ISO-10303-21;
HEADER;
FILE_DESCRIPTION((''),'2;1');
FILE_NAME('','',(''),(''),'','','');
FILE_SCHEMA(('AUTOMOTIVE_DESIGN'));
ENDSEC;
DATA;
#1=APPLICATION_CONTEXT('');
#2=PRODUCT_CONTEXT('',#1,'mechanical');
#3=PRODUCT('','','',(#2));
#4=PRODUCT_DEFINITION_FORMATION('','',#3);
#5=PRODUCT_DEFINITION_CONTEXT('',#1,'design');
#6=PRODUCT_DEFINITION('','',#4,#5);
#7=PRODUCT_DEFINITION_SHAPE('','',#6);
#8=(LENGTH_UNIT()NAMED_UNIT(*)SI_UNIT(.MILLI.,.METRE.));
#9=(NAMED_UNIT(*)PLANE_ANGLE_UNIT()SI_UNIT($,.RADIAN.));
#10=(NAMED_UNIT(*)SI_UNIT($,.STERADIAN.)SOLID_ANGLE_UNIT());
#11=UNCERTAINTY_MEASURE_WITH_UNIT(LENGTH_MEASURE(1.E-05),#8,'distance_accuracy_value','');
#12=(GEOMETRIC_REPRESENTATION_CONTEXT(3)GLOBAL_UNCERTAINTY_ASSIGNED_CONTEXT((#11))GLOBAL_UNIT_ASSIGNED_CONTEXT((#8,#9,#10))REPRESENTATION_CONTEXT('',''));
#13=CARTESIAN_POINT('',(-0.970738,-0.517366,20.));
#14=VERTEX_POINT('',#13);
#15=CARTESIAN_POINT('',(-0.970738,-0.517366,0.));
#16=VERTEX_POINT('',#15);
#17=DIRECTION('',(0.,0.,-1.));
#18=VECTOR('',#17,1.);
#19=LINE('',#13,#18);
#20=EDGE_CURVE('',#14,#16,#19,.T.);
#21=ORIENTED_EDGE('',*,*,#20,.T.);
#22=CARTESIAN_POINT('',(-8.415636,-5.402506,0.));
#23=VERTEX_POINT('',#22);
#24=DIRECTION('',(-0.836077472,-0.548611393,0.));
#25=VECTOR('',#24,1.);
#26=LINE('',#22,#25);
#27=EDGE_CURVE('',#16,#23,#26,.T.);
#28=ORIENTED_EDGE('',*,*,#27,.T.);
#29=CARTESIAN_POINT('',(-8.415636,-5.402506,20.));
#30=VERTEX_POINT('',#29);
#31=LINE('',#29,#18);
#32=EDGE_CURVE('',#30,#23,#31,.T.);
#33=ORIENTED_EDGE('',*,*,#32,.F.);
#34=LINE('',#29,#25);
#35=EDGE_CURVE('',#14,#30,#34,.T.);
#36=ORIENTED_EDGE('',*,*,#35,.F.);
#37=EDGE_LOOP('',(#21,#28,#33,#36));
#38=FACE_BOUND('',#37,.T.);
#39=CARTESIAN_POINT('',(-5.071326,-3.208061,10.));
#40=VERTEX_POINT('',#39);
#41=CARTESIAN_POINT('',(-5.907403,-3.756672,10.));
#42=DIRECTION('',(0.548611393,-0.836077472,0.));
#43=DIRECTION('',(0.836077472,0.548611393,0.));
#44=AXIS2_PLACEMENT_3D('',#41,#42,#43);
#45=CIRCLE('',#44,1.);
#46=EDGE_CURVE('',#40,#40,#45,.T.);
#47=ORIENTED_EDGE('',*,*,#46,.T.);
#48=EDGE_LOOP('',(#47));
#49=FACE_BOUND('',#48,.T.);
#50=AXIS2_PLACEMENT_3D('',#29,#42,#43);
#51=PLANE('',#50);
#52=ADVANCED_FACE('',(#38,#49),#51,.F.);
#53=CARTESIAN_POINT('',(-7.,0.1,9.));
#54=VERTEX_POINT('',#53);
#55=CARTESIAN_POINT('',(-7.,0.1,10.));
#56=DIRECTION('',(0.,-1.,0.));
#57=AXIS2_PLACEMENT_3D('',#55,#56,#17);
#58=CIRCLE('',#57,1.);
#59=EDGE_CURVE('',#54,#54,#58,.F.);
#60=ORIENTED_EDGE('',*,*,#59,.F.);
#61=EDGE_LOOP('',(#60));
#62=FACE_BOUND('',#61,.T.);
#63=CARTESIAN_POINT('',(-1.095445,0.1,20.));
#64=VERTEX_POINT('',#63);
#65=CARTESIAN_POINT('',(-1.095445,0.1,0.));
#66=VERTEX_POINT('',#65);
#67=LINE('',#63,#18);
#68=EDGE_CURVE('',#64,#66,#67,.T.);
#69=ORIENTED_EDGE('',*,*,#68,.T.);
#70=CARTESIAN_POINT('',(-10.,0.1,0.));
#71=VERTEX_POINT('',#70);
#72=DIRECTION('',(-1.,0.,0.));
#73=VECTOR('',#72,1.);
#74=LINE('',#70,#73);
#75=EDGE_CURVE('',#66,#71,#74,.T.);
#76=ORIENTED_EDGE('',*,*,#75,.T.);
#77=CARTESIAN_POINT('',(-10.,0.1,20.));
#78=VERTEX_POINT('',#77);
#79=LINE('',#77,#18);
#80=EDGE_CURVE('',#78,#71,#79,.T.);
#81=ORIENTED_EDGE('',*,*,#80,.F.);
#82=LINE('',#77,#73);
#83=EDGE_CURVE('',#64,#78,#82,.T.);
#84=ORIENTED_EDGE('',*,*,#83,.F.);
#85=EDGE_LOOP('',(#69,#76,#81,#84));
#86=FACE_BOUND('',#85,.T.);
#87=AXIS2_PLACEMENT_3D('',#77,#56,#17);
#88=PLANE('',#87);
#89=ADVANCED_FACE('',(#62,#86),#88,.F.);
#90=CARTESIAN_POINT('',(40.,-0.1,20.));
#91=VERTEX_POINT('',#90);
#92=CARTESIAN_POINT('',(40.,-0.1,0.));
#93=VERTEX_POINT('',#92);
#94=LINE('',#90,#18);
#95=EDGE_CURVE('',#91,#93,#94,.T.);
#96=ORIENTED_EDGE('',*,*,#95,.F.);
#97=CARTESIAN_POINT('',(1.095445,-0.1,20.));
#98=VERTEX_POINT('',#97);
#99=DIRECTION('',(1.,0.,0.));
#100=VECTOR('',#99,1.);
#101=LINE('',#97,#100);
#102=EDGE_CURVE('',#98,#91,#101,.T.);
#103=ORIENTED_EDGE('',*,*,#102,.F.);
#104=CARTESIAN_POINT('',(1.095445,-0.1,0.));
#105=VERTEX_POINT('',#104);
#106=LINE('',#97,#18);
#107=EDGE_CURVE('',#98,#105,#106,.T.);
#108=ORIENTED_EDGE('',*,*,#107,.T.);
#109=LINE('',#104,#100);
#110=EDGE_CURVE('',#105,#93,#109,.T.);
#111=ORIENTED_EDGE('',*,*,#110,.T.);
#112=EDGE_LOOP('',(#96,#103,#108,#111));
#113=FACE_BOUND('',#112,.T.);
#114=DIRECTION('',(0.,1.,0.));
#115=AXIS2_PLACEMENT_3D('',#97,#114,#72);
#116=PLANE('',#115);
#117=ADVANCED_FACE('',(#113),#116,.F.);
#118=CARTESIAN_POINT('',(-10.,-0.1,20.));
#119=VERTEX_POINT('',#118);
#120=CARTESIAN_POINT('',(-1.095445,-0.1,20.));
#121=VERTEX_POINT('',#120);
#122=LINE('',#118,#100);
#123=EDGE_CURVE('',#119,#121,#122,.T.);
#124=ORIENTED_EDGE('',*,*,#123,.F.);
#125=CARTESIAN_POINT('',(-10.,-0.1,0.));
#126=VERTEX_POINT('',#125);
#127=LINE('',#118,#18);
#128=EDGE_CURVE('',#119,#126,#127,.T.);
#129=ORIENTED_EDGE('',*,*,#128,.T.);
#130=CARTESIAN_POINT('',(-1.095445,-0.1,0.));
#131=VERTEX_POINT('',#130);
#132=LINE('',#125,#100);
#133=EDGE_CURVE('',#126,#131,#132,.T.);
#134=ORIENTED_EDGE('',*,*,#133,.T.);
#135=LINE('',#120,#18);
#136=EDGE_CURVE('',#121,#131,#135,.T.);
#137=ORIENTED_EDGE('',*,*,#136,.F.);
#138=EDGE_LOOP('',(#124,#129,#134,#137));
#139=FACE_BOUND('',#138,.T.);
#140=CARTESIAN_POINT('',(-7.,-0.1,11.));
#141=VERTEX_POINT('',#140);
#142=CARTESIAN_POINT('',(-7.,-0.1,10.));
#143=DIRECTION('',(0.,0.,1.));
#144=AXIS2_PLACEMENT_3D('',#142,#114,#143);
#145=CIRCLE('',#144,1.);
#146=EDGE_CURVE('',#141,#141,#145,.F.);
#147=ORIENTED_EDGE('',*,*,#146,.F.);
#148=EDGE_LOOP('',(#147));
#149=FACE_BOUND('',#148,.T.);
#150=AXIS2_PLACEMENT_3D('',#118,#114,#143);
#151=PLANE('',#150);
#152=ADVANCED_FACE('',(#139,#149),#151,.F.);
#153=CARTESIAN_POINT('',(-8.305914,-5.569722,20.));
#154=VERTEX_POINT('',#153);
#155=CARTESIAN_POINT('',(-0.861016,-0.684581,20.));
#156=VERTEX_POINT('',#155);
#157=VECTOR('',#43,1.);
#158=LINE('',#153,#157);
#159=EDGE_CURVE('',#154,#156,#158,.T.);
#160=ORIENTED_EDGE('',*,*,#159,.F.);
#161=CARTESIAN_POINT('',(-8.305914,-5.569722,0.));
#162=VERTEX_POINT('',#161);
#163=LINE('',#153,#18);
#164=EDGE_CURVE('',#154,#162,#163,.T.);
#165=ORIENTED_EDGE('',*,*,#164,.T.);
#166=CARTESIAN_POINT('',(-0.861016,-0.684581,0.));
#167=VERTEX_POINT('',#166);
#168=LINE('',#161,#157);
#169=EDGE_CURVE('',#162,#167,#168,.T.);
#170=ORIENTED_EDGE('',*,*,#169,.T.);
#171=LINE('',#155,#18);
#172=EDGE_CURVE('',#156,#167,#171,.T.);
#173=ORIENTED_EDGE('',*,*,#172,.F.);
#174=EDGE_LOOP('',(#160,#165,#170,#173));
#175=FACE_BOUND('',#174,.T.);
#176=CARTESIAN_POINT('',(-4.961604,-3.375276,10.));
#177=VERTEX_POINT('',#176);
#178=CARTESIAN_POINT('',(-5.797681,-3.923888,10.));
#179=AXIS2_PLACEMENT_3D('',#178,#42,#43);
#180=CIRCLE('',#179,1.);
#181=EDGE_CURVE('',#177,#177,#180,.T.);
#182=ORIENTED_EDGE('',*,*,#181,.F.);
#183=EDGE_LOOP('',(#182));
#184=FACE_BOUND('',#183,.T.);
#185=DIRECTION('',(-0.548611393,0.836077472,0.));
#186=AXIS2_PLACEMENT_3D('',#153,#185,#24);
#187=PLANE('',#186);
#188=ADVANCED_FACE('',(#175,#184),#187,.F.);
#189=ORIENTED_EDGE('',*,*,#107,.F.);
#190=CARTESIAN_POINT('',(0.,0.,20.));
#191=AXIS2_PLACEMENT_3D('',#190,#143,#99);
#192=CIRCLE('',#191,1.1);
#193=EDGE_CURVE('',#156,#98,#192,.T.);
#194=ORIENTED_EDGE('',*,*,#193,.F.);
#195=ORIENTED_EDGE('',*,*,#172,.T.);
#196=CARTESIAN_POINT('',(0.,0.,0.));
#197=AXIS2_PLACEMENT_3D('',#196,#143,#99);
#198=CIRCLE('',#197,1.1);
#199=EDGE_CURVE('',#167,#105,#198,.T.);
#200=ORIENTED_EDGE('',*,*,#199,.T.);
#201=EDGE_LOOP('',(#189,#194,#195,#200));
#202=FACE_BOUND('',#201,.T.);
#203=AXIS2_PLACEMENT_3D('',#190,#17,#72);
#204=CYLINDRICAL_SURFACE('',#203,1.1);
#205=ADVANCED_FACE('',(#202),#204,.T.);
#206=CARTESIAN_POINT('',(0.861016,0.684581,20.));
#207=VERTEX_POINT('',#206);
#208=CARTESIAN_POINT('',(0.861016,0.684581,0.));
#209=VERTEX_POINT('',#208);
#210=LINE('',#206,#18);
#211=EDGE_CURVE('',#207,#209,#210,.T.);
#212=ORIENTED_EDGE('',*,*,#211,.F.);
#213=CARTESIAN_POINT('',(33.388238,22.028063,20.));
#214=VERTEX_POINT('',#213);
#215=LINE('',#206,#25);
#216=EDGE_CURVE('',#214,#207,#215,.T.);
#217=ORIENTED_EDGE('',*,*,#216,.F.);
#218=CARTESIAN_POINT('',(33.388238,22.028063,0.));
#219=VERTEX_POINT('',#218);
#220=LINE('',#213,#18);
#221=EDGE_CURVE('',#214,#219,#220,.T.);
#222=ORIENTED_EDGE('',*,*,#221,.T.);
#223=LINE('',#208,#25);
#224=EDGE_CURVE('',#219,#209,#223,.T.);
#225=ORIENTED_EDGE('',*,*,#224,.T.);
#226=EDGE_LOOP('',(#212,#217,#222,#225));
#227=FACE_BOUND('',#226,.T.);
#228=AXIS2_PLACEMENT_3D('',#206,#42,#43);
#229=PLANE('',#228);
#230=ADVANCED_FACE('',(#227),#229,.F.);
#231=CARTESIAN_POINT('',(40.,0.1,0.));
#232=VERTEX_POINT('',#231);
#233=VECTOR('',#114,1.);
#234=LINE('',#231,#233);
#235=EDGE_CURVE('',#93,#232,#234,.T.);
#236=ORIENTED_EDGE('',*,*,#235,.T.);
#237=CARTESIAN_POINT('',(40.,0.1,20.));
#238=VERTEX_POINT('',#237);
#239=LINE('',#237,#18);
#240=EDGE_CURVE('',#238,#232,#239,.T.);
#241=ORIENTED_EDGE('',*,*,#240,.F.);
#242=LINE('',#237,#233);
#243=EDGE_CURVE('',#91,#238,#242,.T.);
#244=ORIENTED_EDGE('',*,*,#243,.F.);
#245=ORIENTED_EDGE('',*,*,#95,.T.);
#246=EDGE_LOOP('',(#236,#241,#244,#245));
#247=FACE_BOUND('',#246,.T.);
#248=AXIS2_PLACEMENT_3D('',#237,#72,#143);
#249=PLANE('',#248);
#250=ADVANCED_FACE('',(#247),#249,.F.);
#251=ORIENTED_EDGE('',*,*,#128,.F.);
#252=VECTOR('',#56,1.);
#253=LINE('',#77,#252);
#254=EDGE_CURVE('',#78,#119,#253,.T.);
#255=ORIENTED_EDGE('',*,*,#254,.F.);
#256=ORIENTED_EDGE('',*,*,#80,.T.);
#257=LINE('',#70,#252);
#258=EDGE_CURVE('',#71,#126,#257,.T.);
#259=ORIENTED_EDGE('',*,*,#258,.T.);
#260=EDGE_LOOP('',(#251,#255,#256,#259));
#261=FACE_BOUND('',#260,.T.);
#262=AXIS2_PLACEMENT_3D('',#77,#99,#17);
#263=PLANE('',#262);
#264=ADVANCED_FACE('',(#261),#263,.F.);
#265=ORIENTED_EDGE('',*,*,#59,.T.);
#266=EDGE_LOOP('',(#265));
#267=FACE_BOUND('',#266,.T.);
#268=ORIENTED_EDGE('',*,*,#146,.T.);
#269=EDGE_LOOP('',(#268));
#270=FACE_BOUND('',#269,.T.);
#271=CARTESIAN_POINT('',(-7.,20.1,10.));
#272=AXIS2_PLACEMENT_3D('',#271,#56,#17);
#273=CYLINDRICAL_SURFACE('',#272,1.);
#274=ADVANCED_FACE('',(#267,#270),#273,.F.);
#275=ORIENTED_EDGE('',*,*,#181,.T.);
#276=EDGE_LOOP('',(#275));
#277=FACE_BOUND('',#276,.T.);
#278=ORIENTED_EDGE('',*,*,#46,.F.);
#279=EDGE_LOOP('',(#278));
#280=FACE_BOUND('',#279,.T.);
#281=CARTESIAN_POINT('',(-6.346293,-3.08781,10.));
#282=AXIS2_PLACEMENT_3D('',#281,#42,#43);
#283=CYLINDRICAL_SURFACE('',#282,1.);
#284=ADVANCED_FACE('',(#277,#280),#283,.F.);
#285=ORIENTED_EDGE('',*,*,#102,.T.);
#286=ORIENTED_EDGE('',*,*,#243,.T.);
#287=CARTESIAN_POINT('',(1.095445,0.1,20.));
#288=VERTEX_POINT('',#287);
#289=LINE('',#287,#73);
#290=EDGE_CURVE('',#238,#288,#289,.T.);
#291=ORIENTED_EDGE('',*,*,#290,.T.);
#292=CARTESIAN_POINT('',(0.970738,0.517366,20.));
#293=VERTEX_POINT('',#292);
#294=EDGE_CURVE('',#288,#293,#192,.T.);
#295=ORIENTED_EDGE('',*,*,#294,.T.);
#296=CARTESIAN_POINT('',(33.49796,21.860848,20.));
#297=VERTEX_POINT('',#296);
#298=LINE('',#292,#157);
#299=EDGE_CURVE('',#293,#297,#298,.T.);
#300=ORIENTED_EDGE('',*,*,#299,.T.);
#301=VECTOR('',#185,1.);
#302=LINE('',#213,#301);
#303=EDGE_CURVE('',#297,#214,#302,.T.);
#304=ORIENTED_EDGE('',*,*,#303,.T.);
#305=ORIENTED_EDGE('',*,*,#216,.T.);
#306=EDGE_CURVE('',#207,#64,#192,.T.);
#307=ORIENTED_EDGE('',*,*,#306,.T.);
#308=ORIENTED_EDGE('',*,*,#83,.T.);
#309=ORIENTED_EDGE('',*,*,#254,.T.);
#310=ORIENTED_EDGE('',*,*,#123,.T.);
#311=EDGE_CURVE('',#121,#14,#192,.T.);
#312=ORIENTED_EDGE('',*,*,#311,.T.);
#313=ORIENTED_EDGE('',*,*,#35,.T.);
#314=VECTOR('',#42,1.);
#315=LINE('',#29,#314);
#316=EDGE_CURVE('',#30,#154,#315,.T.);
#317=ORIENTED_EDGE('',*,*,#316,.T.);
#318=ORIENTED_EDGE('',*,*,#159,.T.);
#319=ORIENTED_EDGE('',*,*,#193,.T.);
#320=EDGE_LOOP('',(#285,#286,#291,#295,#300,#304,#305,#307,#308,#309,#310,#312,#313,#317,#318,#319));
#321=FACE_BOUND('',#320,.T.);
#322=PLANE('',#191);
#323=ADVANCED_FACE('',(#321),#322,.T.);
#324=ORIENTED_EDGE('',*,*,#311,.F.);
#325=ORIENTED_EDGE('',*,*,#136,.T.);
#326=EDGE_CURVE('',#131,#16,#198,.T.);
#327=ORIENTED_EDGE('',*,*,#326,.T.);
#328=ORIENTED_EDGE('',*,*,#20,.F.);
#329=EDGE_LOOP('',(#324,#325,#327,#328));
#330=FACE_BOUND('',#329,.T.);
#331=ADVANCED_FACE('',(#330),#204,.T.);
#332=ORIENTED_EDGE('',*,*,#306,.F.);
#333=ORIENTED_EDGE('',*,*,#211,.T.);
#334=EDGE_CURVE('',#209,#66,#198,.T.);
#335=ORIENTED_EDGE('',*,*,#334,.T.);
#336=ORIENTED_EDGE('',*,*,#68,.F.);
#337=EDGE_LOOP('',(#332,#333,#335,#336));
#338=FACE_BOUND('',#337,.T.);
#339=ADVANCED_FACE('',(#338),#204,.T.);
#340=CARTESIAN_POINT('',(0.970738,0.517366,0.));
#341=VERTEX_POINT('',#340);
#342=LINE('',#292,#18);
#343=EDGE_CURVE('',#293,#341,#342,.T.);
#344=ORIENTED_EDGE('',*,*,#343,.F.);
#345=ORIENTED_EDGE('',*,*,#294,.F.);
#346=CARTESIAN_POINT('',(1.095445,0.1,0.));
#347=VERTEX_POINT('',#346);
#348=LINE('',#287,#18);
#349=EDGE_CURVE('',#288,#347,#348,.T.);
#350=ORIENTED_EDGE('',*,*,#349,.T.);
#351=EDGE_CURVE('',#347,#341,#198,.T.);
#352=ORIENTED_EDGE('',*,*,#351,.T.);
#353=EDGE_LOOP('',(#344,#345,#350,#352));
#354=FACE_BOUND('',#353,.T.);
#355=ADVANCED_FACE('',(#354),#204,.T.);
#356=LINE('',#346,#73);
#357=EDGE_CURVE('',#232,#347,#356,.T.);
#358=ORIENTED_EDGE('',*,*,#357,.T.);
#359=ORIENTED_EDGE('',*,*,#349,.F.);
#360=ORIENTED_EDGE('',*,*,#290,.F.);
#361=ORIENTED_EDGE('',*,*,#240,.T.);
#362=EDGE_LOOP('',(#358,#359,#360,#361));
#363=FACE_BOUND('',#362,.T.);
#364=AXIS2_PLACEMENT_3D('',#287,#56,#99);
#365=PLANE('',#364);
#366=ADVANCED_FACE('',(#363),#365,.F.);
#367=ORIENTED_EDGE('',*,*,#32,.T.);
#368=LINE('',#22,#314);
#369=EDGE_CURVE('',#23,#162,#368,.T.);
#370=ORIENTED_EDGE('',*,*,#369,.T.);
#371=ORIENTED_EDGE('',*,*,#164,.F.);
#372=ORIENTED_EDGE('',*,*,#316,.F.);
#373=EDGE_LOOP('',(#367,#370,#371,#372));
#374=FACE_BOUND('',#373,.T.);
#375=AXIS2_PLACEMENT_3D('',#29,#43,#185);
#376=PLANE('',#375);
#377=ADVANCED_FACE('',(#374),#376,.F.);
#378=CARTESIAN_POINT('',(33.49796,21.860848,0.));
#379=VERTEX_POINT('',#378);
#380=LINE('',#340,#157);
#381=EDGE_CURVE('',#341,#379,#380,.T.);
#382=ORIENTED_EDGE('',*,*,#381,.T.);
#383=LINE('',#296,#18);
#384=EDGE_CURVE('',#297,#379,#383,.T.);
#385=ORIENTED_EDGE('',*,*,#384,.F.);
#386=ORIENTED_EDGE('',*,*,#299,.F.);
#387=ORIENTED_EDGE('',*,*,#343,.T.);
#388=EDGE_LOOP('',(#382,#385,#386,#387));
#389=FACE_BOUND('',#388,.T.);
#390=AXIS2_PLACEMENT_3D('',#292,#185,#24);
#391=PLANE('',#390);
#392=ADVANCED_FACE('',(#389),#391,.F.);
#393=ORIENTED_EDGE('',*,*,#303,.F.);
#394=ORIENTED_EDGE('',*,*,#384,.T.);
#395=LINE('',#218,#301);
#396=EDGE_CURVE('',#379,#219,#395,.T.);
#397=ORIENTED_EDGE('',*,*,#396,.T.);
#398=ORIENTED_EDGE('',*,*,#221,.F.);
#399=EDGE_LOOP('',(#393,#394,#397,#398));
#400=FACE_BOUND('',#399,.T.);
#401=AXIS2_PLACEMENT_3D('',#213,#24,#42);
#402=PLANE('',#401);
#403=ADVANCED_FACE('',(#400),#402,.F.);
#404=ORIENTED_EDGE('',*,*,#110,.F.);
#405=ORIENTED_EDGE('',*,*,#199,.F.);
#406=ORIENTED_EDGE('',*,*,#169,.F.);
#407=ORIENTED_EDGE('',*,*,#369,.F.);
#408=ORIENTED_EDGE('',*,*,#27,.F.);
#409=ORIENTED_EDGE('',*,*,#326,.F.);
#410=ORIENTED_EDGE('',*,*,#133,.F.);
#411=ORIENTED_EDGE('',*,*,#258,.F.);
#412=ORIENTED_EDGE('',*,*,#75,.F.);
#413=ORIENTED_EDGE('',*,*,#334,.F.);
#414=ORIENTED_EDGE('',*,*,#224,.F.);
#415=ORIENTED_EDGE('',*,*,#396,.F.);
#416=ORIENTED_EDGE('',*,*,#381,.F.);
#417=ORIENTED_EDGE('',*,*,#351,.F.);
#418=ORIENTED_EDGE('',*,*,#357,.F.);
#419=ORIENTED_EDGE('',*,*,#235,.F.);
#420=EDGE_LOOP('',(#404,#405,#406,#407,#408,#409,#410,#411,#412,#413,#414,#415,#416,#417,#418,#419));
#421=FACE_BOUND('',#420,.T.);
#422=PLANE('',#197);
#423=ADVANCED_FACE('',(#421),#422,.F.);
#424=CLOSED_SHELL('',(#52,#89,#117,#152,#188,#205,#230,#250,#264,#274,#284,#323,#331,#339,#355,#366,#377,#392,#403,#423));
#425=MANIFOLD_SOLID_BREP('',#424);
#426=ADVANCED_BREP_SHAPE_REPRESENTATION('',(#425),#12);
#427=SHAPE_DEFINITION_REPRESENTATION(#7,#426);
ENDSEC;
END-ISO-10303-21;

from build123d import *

# Parameters (mm, degrees)
EXTRUDE_1_DEPTH          = 20
CUT_EXTRUDE_1_DEPTH      = 20
CUT_EXTRUDE_1_DEPTH_BACK = 1
CUT_EXTRUDE_2_DEPTH      = 1


with BuildPart() as part:
    # 草图1 → 凸台-拉伸1 (new body)
    with BuildSketch(Plane.XY):
        with BuildLine():
            Line((1.095445115, 0.1), (40, 0.1))
            Line((40, 0.1), (40, -0.1))
            Line((40, -0.1), (1.095445115, -0.1))
            ThreePointArc((1.095445115, -0.1), (0.314917655, -1.053957718), (-0.861015843, -0.684581418))
            Line((-0.861015843, -0.684581418), (-8.30591358, -5.569721681))
            Line((-8.30591358, -5.569721681), (-8.415635859, -5.402506186))
            Line((-8.415635859, -5.402506186), (-0.970738122, -0.517365924))
            ThreePointArc((-0.970738122, -0.517365924), (-1.053957718, -0.314917655), (-1.095445115, -0.1))
            Line((-1.095445115, -0.1), (-10, -0.1))
            Line((-10, -0.1), (-10, 0.1))
            Line((-10, 0.1), (-1.095445115, 0.1))
            ThreePointArc((-1.095445115, 0.1), (-0.314917655, 1.053957718), (0.861015843, 0.684581418))
            Line((0.861015843, 0.684581418), (33.388237738, 22.028063482))
            Line((33.388237738, 22.028063482), (33.497960016, 21.860847988))
            Line((33.497960016, 21.860847988), (0.970738122, 0.517365924))
            ThreePointArc((0.970738122, 0.517365924), (1.053957718, 0.314917655), (1.095445115, 0.1))
        make_face()
    extrude(amount=EXTRUDE_1_DEPTH)

    # 草图2 → 切除-拉伸1 (cut, two sides)
    with BuildSketch(Plane(origin=(0, 0.1, 0), x_dir=(1, 0, 0), z_dir=(0, 1, 0))) as cut_extrude_1_sk:
        with BuildLine():
            ThreePointArc((-6, -10), (-7, -9), (-8, -10))
            Line((-8, -10), (-6, -10))
        make_face()
        with BuildLine():
            Line((-6, -10), (-8, -10))
            ThreePointArc((-8, -10), (-7, -11), (-6, -10))
        make_face()
    extrude(amount=CUT_EXTRUDE_1_DEPTH, mode=Mode.SUBTRACT)
    extrude(cut_extrude_1_sk.sketch, amount=-CUT_EXTRUDE_1_DEPTH_BACK, mode=Mode.SUBTRACT)

    # 草图3 → 切除-拉伸2 (cut)
    with BuildSketch(Plane(origin=(0.054861139, -0.083607747, 0), x_dir=(0.836077472, 0.548611393, 0), z_dir=(0.548611393, -0.836077472, 0))):
        with BuildLine():
            ThreePointArc((-6, 10), (-7, 11), (-8, 10))
            Line((-8, 10), (-6, 10))
        make_face()
        with BuildLine():
            Line((-6, 10), (-8, 10))
            ThreePointArc((-8, 10), (-7, 9), (-6, 10))
        make_face()
    extrude(amount=-CUT_EXTRUDE_2_DEPTH, mode=Mode.SUBTRACT)


solid = part.part
